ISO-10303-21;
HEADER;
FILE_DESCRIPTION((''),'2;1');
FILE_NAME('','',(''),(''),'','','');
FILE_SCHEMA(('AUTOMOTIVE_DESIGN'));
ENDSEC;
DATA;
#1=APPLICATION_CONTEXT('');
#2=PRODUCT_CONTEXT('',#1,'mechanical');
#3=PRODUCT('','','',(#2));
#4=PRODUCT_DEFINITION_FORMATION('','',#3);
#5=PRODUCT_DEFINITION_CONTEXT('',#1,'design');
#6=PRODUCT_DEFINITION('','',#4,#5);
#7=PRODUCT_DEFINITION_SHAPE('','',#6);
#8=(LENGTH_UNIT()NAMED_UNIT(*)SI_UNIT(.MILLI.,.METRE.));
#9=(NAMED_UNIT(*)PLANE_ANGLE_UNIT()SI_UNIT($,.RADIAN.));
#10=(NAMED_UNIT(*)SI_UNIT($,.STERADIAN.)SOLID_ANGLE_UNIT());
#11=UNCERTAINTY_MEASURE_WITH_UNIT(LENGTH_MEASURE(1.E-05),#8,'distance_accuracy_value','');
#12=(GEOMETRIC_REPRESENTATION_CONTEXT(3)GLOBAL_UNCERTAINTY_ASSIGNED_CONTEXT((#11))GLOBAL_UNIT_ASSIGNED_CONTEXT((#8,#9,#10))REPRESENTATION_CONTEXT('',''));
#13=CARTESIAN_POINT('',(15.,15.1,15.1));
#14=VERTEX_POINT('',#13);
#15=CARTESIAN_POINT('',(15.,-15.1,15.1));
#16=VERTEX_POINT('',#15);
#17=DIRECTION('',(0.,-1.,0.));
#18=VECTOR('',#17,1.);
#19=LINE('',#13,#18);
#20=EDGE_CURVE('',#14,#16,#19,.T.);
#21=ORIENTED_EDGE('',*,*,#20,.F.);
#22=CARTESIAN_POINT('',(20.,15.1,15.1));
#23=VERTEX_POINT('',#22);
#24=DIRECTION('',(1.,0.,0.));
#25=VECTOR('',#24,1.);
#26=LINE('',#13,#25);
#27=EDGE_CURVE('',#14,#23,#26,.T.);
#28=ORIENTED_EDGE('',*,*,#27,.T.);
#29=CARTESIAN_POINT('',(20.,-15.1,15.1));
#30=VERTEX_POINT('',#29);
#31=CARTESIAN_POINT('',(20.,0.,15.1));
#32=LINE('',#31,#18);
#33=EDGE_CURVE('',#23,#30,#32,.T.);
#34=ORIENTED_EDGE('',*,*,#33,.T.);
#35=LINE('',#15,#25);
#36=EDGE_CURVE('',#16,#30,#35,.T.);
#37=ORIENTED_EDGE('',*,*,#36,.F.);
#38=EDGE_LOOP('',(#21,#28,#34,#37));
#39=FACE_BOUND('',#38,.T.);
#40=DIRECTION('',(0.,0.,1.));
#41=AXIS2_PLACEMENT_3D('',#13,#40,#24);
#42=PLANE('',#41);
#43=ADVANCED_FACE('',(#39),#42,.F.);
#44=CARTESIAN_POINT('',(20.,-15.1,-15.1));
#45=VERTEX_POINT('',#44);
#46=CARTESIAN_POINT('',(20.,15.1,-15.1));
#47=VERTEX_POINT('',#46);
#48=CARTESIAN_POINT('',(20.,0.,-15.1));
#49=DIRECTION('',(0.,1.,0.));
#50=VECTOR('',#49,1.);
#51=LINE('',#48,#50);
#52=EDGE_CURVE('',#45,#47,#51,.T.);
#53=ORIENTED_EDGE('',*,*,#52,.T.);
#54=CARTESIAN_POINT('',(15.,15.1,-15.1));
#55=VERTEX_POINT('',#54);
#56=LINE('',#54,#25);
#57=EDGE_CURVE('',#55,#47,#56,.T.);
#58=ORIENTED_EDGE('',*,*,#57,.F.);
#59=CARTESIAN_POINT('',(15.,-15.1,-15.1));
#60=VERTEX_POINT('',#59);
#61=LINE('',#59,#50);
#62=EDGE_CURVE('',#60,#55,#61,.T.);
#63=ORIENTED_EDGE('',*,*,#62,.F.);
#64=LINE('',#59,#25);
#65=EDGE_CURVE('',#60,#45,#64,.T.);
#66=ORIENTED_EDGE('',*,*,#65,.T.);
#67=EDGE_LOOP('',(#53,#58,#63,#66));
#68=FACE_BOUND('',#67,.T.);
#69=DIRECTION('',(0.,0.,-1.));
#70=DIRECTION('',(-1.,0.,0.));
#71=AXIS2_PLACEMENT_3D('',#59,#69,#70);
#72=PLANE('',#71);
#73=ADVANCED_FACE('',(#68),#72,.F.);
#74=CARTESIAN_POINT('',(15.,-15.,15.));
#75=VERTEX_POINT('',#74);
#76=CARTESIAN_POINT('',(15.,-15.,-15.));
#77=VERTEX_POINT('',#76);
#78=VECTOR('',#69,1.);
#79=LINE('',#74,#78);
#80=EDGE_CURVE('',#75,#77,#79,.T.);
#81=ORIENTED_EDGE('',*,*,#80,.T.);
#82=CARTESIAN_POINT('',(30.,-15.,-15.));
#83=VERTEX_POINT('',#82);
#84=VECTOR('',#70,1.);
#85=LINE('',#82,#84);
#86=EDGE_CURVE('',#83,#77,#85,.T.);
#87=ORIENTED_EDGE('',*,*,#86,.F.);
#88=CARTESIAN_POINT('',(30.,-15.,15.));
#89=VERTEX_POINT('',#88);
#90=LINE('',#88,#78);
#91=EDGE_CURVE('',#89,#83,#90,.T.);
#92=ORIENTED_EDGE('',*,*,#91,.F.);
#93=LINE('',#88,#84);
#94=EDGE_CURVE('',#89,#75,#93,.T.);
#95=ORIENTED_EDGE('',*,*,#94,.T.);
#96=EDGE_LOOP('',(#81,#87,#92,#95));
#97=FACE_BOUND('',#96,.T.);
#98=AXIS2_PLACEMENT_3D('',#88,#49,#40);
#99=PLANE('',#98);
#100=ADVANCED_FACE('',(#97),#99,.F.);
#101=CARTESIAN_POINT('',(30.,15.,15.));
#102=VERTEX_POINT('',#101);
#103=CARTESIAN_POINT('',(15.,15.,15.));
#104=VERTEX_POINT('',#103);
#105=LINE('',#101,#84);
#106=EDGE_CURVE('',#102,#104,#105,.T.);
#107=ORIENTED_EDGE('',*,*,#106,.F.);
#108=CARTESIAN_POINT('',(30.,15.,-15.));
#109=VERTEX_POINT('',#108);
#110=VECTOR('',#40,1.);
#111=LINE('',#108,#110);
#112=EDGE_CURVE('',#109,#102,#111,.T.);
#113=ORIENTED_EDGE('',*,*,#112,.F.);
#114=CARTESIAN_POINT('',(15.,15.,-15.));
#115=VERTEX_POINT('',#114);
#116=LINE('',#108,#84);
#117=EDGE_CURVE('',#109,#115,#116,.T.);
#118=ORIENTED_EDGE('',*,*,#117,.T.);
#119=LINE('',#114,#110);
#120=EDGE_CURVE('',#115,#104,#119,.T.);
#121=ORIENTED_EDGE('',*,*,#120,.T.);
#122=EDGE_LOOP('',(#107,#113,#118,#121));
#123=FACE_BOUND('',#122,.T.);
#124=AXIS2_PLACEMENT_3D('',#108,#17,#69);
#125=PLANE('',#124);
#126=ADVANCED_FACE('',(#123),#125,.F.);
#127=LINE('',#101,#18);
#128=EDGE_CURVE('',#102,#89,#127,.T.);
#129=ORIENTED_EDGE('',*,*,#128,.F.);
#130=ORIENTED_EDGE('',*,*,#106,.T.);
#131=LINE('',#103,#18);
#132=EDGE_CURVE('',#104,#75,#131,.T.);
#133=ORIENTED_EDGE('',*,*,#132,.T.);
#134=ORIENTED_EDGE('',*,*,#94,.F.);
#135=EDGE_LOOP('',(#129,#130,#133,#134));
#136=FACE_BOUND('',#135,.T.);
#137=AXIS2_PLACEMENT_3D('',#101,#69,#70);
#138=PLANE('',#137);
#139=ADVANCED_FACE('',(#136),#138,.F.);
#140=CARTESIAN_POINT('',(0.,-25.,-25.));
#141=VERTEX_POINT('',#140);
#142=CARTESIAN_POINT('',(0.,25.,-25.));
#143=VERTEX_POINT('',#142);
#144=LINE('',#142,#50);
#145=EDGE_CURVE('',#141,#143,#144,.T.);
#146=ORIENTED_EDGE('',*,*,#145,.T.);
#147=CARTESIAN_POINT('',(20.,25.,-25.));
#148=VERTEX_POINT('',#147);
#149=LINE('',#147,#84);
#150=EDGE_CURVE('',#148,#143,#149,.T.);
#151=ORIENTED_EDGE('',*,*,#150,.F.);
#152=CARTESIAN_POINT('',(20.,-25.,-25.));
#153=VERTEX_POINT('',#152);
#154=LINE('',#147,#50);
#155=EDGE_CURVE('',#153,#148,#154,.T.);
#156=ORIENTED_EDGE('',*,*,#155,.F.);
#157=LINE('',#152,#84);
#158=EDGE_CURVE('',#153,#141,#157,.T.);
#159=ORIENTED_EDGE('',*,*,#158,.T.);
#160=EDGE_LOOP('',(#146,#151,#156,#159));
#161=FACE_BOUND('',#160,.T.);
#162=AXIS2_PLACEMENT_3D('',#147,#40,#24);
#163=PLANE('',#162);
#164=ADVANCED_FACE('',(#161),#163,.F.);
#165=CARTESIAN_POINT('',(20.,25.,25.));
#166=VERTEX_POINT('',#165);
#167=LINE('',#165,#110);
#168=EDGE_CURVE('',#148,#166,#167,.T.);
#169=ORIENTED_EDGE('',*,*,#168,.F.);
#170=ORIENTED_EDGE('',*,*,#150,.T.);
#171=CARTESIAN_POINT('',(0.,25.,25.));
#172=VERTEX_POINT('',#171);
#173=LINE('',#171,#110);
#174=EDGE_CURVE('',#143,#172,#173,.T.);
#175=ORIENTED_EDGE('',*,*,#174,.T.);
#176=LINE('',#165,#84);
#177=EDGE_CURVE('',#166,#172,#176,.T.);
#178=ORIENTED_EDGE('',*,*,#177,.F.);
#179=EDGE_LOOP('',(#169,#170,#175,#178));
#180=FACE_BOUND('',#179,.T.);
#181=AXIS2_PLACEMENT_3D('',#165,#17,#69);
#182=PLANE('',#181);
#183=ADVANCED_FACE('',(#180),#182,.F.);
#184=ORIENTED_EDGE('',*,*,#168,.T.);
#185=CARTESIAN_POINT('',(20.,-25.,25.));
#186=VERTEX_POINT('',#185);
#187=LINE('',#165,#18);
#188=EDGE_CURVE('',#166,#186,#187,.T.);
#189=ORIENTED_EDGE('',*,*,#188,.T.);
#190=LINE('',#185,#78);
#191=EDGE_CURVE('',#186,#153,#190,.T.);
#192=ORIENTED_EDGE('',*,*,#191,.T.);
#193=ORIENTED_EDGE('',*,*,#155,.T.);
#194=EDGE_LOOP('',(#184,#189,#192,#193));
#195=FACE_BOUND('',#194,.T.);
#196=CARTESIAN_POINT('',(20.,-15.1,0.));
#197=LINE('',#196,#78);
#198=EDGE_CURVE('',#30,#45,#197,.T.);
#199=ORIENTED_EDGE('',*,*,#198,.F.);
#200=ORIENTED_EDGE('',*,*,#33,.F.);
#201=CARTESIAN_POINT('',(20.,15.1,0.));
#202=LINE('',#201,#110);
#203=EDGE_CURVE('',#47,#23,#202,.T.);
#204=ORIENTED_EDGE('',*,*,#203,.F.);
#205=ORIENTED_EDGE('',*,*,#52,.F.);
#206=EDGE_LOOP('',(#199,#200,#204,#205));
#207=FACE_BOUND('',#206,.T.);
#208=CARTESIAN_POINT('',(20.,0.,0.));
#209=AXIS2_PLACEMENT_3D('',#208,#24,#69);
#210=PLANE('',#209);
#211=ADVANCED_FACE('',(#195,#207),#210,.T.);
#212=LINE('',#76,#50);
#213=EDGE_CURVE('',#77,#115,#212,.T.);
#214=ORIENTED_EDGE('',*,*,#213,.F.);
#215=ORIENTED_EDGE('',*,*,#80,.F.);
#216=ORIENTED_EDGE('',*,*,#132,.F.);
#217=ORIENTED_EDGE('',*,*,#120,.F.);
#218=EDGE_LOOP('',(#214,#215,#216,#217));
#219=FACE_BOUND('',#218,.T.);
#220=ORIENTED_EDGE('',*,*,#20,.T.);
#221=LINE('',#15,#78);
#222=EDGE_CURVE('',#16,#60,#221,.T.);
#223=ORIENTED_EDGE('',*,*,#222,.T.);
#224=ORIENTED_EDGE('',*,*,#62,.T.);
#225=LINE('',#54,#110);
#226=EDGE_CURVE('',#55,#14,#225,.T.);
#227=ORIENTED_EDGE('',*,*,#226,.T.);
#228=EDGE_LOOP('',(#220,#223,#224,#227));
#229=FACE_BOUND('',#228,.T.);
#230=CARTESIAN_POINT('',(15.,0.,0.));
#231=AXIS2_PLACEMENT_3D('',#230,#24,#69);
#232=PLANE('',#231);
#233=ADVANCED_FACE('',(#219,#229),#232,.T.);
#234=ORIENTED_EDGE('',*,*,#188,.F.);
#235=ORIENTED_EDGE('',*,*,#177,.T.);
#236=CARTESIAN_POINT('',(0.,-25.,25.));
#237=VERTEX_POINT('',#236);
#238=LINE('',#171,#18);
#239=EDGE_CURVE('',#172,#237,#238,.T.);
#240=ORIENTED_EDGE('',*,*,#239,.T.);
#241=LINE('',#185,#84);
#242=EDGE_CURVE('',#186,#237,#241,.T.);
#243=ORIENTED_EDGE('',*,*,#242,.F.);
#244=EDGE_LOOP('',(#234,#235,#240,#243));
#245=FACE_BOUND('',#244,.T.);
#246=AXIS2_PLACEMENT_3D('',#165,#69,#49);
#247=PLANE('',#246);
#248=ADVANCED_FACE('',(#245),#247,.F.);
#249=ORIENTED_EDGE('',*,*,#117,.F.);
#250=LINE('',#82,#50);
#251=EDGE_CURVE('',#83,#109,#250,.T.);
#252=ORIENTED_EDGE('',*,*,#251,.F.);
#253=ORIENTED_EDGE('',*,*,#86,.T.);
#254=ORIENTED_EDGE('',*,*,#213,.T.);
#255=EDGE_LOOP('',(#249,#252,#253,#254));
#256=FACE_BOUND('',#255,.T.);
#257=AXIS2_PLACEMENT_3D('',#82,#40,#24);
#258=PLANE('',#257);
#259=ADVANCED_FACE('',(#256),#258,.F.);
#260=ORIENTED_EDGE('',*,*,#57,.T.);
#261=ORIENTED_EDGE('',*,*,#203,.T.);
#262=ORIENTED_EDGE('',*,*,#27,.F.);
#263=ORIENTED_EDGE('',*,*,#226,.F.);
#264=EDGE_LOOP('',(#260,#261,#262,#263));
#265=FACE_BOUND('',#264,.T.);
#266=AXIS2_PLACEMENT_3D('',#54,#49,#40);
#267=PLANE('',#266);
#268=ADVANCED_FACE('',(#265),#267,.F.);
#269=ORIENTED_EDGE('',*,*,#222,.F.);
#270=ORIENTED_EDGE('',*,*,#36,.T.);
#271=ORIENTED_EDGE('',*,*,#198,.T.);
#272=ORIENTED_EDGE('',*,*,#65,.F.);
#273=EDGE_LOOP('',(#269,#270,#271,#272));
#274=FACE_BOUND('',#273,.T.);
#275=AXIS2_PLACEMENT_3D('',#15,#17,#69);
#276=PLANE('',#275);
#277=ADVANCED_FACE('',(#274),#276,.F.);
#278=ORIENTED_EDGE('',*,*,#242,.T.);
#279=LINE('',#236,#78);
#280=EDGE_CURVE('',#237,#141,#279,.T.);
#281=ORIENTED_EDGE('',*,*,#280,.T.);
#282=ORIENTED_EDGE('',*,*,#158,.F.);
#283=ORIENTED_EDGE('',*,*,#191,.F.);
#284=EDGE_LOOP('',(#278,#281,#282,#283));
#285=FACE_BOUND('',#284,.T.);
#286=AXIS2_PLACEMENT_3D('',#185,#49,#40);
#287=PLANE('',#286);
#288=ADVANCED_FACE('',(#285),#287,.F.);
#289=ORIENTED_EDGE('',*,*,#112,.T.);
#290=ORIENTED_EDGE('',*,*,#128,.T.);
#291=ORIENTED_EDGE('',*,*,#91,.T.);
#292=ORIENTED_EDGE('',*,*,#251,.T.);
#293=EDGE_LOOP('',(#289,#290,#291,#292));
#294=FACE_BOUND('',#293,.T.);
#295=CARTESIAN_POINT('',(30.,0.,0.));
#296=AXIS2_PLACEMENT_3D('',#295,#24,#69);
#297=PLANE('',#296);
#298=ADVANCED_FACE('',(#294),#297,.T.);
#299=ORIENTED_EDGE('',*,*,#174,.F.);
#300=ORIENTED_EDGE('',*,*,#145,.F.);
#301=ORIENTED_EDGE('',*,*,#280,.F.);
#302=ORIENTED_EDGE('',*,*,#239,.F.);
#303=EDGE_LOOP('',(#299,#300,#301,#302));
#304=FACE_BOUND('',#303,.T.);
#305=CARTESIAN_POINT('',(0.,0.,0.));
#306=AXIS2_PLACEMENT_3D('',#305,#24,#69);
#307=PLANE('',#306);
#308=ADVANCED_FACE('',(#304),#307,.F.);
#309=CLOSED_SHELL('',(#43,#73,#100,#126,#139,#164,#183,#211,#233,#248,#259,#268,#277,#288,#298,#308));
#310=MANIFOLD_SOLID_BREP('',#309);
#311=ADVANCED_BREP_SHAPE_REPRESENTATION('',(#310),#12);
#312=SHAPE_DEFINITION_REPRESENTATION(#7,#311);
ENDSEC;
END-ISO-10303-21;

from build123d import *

# Parameters (mm, degrees)
SKETCH_1_W          = 50
SKETCH_1_H          = 50
EXTRUDE_1_DEPTH     = 20
SKETCH_2_W          = 30
SKETCH_2_H          = 30
EXTRUDE_2_DEPTH     = 10
SKETCH_3_W          = 30.2
SKETCH_3_H          = 30.2
SKETCH_3_W_2        = 30
SKETCH_3_H_2        = 30
CUT_EXTRUDE_1_DEPTH = 15


with BuildPart() as part:
    # 草图1 → 凸台-拉伸1 (new body)
    with BuildSketch(Plane(origin=(0, 0, 0), x_dir=(0, 0, -1), z_dir=(1, 0, 0))):
        Rectangle(SKETCH_1_W, SKETCH_1_H)
    extrude(amount=EXTRUDE_1_DEPTH)

    # 草图2 → 凸台-拉伸2 (add)
    with BuildSketch(Plane(origin=(20, 0, 0), x_dir=(0, 0, -1), z_dir=(1, 0, 0))):
        Rectangle(SKETCH_2_W, SKETCH_2_H)
    extrude(amount=EXTRUDE_2_DEPTH)

    # 草图3 → 切除-拉伸1 (cut)
    with BuildSketch(Plane(origin=(30, 0, 0), x_dir=(0, 0, -1), z_dir=(1, 0, 0))):
        Rectangle(SKETCH_3_W, SKETCH_3_H)
        Rectangle(SKETCH_3_W_2, SKETCH_3_H_2, mode=Mode.SUBTRACT)
    extrude(amount=-CUT_EXTRUDE_1_DEPTH, mode=Mode.SUBTRACT)


solid = part.part
